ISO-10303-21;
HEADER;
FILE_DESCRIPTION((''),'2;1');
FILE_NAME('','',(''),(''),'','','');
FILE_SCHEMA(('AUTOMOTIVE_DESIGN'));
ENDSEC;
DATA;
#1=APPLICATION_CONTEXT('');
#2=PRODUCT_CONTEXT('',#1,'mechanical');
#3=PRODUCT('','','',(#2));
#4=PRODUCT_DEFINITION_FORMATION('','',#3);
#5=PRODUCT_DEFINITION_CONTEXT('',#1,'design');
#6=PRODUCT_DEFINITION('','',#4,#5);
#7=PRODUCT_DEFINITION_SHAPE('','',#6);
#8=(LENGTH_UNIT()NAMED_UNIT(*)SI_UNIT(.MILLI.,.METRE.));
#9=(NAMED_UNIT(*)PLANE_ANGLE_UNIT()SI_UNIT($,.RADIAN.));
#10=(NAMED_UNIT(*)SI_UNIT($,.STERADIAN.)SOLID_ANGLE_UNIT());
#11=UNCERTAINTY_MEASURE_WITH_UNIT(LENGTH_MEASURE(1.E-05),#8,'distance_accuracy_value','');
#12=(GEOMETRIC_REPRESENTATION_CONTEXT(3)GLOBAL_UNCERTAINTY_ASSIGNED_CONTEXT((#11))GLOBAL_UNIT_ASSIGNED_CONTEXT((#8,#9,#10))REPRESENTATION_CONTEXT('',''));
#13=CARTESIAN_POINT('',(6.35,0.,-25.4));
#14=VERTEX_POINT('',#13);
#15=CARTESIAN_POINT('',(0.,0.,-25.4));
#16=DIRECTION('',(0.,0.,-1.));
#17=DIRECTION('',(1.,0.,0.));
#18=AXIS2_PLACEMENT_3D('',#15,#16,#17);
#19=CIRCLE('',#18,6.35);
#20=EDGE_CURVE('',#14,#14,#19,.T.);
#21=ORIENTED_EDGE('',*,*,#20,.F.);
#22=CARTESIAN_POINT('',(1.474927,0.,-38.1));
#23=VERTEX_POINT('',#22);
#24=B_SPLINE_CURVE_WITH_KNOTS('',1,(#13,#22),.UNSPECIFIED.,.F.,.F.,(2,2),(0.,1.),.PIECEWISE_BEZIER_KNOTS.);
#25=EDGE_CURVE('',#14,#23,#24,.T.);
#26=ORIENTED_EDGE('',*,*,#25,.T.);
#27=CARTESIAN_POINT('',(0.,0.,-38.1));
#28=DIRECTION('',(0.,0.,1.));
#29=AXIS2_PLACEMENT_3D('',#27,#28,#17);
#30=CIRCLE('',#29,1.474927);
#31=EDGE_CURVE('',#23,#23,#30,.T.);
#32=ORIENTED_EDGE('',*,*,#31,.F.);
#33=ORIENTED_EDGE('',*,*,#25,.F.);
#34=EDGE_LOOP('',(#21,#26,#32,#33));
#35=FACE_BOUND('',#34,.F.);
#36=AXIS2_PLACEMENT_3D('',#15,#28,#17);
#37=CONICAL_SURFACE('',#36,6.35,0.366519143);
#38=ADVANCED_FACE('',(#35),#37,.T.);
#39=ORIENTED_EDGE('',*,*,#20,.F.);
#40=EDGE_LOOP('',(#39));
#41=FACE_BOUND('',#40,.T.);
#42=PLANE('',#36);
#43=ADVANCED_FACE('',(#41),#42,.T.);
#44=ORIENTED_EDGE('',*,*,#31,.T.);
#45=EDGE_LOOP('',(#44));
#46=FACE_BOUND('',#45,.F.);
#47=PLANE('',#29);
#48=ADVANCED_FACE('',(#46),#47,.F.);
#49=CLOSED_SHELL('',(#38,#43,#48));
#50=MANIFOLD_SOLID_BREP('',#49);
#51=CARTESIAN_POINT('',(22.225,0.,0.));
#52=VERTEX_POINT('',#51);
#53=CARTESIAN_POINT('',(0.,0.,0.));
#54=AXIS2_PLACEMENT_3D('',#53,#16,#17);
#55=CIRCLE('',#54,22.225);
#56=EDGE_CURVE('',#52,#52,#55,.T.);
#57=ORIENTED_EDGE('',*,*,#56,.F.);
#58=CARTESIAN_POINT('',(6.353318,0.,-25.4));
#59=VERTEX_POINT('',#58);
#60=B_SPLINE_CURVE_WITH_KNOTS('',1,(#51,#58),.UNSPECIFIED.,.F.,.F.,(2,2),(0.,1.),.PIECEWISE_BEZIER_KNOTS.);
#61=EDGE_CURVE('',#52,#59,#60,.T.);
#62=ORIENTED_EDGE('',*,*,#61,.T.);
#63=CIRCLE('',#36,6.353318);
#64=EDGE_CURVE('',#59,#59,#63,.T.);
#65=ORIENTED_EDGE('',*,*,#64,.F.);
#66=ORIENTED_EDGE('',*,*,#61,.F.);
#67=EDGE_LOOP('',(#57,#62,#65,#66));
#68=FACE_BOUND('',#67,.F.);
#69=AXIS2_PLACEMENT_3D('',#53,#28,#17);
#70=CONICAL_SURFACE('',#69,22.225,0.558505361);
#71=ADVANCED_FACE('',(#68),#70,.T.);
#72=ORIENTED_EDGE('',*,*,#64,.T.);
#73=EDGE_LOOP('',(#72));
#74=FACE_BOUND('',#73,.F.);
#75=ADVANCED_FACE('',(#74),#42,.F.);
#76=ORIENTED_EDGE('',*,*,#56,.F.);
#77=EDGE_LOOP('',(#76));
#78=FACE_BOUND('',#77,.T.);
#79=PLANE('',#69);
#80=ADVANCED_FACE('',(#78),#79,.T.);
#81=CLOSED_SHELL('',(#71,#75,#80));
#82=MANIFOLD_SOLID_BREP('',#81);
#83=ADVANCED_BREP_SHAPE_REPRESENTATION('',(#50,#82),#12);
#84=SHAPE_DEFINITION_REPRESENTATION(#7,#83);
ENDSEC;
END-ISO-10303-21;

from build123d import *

# Parameters (mm, degrees)
F0_R     = 22.225
F1_DEPTH = 25.4
F1_TAPER = 32
F3_R     = 6.35
F4_DEPTH = 12.7
F4_TAPER = 21


with BuildPart() as f1:
    # F0 (on Top) → F1 (new body)
    with BuildSketch(Plane.XY):
        Circle(F0_R)
    extrude(amount=-F1_DEPTH, taper=F1_TAPER)


with BuildPart() as f4:
    # F3 (on offset) → F4 (new body)
    with BuildSketch(Plane.XY.offset(-25.4)):
        Circle(F3_R)
    extrude(amount=-F4_DEPTH, taper=F4_TAPER)


solid = Compound([f1.part, f4.part])
